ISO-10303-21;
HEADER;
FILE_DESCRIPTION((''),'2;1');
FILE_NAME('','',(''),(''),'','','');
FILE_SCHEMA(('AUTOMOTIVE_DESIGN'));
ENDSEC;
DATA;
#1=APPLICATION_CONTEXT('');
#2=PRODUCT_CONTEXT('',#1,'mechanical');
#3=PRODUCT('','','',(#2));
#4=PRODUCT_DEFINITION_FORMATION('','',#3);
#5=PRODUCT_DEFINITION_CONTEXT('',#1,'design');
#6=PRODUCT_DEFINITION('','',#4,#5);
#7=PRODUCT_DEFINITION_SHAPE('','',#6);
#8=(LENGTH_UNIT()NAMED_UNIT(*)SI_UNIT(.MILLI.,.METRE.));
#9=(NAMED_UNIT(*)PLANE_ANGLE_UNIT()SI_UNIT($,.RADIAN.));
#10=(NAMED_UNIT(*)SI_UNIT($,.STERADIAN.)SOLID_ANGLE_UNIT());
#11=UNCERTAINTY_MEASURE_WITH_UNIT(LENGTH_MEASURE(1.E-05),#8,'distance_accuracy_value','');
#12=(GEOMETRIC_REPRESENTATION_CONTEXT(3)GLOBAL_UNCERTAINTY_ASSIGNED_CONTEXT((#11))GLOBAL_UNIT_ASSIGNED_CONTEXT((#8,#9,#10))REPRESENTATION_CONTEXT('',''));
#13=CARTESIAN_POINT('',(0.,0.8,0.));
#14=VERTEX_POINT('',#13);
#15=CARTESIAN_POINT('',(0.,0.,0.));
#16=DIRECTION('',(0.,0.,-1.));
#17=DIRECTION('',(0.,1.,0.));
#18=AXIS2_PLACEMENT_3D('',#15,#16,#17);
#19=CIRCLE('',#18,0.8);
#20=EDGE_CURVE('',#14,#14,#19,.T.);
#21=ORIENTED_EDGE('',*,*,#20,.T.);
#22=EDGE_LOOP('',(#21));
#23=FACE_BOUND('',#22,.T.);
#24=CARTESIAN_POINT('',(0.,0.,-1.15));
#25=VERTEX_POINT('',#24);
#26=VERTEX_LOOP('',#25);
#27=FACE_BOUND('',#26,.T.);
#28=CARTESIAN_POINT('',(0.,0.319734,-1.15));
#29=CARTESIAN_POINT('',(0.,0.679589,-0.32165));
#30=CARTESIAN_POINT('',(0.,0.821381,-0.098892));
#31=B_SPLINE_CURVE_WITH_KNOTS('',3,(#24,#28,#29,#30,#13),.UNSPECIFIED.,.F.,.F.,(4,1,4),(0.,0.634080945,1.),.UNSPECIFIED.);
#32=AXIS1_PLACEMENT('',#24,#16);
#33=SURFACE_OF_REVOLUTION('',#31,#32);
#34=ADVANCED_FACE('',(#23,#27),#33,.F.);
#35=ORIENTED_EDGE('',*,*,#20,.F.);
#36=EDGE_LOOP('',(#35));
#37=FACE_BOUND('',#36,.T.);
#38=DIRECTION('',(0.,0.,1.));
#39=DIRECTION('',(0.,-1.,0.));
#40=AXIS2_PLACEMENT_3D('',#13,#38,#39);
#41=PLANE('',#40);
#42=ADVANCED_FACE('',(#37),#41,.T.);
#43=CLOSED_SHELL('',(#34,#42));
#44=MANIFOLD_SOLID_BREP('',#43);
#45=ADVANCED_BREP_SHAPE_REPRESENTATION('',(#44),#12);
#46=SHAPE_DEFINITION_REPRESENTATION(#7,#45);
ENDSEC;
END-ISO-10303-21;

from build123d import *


with BuildPart() as part:
    # Sketch2 → Revolve1 (revolve)
    with BuildSketch(Plane(origin=(0, 0, 0), x_dir=(0, 0, -1), z_dir=(1, 0, 0))):
        with BuildLine():
            Line((0, 0.8), (0, 0))
            Line((0, 0), (1.15, 0))
            add(Edge.make_bspline(
                [(0, 0.8), (0.098891587, 0.821380604), (0.321650497, 0.679588811), (1.15, 0.319733684), (1.15, 0)],
                knots=[0, 0, 0, 0, 0.365919055, 1, 1, 1, 1], degree=3))
        make_face()
    revolve(axis=Axis((0, 0, -1.15), (0, 0, 1)))


solid = part.part
